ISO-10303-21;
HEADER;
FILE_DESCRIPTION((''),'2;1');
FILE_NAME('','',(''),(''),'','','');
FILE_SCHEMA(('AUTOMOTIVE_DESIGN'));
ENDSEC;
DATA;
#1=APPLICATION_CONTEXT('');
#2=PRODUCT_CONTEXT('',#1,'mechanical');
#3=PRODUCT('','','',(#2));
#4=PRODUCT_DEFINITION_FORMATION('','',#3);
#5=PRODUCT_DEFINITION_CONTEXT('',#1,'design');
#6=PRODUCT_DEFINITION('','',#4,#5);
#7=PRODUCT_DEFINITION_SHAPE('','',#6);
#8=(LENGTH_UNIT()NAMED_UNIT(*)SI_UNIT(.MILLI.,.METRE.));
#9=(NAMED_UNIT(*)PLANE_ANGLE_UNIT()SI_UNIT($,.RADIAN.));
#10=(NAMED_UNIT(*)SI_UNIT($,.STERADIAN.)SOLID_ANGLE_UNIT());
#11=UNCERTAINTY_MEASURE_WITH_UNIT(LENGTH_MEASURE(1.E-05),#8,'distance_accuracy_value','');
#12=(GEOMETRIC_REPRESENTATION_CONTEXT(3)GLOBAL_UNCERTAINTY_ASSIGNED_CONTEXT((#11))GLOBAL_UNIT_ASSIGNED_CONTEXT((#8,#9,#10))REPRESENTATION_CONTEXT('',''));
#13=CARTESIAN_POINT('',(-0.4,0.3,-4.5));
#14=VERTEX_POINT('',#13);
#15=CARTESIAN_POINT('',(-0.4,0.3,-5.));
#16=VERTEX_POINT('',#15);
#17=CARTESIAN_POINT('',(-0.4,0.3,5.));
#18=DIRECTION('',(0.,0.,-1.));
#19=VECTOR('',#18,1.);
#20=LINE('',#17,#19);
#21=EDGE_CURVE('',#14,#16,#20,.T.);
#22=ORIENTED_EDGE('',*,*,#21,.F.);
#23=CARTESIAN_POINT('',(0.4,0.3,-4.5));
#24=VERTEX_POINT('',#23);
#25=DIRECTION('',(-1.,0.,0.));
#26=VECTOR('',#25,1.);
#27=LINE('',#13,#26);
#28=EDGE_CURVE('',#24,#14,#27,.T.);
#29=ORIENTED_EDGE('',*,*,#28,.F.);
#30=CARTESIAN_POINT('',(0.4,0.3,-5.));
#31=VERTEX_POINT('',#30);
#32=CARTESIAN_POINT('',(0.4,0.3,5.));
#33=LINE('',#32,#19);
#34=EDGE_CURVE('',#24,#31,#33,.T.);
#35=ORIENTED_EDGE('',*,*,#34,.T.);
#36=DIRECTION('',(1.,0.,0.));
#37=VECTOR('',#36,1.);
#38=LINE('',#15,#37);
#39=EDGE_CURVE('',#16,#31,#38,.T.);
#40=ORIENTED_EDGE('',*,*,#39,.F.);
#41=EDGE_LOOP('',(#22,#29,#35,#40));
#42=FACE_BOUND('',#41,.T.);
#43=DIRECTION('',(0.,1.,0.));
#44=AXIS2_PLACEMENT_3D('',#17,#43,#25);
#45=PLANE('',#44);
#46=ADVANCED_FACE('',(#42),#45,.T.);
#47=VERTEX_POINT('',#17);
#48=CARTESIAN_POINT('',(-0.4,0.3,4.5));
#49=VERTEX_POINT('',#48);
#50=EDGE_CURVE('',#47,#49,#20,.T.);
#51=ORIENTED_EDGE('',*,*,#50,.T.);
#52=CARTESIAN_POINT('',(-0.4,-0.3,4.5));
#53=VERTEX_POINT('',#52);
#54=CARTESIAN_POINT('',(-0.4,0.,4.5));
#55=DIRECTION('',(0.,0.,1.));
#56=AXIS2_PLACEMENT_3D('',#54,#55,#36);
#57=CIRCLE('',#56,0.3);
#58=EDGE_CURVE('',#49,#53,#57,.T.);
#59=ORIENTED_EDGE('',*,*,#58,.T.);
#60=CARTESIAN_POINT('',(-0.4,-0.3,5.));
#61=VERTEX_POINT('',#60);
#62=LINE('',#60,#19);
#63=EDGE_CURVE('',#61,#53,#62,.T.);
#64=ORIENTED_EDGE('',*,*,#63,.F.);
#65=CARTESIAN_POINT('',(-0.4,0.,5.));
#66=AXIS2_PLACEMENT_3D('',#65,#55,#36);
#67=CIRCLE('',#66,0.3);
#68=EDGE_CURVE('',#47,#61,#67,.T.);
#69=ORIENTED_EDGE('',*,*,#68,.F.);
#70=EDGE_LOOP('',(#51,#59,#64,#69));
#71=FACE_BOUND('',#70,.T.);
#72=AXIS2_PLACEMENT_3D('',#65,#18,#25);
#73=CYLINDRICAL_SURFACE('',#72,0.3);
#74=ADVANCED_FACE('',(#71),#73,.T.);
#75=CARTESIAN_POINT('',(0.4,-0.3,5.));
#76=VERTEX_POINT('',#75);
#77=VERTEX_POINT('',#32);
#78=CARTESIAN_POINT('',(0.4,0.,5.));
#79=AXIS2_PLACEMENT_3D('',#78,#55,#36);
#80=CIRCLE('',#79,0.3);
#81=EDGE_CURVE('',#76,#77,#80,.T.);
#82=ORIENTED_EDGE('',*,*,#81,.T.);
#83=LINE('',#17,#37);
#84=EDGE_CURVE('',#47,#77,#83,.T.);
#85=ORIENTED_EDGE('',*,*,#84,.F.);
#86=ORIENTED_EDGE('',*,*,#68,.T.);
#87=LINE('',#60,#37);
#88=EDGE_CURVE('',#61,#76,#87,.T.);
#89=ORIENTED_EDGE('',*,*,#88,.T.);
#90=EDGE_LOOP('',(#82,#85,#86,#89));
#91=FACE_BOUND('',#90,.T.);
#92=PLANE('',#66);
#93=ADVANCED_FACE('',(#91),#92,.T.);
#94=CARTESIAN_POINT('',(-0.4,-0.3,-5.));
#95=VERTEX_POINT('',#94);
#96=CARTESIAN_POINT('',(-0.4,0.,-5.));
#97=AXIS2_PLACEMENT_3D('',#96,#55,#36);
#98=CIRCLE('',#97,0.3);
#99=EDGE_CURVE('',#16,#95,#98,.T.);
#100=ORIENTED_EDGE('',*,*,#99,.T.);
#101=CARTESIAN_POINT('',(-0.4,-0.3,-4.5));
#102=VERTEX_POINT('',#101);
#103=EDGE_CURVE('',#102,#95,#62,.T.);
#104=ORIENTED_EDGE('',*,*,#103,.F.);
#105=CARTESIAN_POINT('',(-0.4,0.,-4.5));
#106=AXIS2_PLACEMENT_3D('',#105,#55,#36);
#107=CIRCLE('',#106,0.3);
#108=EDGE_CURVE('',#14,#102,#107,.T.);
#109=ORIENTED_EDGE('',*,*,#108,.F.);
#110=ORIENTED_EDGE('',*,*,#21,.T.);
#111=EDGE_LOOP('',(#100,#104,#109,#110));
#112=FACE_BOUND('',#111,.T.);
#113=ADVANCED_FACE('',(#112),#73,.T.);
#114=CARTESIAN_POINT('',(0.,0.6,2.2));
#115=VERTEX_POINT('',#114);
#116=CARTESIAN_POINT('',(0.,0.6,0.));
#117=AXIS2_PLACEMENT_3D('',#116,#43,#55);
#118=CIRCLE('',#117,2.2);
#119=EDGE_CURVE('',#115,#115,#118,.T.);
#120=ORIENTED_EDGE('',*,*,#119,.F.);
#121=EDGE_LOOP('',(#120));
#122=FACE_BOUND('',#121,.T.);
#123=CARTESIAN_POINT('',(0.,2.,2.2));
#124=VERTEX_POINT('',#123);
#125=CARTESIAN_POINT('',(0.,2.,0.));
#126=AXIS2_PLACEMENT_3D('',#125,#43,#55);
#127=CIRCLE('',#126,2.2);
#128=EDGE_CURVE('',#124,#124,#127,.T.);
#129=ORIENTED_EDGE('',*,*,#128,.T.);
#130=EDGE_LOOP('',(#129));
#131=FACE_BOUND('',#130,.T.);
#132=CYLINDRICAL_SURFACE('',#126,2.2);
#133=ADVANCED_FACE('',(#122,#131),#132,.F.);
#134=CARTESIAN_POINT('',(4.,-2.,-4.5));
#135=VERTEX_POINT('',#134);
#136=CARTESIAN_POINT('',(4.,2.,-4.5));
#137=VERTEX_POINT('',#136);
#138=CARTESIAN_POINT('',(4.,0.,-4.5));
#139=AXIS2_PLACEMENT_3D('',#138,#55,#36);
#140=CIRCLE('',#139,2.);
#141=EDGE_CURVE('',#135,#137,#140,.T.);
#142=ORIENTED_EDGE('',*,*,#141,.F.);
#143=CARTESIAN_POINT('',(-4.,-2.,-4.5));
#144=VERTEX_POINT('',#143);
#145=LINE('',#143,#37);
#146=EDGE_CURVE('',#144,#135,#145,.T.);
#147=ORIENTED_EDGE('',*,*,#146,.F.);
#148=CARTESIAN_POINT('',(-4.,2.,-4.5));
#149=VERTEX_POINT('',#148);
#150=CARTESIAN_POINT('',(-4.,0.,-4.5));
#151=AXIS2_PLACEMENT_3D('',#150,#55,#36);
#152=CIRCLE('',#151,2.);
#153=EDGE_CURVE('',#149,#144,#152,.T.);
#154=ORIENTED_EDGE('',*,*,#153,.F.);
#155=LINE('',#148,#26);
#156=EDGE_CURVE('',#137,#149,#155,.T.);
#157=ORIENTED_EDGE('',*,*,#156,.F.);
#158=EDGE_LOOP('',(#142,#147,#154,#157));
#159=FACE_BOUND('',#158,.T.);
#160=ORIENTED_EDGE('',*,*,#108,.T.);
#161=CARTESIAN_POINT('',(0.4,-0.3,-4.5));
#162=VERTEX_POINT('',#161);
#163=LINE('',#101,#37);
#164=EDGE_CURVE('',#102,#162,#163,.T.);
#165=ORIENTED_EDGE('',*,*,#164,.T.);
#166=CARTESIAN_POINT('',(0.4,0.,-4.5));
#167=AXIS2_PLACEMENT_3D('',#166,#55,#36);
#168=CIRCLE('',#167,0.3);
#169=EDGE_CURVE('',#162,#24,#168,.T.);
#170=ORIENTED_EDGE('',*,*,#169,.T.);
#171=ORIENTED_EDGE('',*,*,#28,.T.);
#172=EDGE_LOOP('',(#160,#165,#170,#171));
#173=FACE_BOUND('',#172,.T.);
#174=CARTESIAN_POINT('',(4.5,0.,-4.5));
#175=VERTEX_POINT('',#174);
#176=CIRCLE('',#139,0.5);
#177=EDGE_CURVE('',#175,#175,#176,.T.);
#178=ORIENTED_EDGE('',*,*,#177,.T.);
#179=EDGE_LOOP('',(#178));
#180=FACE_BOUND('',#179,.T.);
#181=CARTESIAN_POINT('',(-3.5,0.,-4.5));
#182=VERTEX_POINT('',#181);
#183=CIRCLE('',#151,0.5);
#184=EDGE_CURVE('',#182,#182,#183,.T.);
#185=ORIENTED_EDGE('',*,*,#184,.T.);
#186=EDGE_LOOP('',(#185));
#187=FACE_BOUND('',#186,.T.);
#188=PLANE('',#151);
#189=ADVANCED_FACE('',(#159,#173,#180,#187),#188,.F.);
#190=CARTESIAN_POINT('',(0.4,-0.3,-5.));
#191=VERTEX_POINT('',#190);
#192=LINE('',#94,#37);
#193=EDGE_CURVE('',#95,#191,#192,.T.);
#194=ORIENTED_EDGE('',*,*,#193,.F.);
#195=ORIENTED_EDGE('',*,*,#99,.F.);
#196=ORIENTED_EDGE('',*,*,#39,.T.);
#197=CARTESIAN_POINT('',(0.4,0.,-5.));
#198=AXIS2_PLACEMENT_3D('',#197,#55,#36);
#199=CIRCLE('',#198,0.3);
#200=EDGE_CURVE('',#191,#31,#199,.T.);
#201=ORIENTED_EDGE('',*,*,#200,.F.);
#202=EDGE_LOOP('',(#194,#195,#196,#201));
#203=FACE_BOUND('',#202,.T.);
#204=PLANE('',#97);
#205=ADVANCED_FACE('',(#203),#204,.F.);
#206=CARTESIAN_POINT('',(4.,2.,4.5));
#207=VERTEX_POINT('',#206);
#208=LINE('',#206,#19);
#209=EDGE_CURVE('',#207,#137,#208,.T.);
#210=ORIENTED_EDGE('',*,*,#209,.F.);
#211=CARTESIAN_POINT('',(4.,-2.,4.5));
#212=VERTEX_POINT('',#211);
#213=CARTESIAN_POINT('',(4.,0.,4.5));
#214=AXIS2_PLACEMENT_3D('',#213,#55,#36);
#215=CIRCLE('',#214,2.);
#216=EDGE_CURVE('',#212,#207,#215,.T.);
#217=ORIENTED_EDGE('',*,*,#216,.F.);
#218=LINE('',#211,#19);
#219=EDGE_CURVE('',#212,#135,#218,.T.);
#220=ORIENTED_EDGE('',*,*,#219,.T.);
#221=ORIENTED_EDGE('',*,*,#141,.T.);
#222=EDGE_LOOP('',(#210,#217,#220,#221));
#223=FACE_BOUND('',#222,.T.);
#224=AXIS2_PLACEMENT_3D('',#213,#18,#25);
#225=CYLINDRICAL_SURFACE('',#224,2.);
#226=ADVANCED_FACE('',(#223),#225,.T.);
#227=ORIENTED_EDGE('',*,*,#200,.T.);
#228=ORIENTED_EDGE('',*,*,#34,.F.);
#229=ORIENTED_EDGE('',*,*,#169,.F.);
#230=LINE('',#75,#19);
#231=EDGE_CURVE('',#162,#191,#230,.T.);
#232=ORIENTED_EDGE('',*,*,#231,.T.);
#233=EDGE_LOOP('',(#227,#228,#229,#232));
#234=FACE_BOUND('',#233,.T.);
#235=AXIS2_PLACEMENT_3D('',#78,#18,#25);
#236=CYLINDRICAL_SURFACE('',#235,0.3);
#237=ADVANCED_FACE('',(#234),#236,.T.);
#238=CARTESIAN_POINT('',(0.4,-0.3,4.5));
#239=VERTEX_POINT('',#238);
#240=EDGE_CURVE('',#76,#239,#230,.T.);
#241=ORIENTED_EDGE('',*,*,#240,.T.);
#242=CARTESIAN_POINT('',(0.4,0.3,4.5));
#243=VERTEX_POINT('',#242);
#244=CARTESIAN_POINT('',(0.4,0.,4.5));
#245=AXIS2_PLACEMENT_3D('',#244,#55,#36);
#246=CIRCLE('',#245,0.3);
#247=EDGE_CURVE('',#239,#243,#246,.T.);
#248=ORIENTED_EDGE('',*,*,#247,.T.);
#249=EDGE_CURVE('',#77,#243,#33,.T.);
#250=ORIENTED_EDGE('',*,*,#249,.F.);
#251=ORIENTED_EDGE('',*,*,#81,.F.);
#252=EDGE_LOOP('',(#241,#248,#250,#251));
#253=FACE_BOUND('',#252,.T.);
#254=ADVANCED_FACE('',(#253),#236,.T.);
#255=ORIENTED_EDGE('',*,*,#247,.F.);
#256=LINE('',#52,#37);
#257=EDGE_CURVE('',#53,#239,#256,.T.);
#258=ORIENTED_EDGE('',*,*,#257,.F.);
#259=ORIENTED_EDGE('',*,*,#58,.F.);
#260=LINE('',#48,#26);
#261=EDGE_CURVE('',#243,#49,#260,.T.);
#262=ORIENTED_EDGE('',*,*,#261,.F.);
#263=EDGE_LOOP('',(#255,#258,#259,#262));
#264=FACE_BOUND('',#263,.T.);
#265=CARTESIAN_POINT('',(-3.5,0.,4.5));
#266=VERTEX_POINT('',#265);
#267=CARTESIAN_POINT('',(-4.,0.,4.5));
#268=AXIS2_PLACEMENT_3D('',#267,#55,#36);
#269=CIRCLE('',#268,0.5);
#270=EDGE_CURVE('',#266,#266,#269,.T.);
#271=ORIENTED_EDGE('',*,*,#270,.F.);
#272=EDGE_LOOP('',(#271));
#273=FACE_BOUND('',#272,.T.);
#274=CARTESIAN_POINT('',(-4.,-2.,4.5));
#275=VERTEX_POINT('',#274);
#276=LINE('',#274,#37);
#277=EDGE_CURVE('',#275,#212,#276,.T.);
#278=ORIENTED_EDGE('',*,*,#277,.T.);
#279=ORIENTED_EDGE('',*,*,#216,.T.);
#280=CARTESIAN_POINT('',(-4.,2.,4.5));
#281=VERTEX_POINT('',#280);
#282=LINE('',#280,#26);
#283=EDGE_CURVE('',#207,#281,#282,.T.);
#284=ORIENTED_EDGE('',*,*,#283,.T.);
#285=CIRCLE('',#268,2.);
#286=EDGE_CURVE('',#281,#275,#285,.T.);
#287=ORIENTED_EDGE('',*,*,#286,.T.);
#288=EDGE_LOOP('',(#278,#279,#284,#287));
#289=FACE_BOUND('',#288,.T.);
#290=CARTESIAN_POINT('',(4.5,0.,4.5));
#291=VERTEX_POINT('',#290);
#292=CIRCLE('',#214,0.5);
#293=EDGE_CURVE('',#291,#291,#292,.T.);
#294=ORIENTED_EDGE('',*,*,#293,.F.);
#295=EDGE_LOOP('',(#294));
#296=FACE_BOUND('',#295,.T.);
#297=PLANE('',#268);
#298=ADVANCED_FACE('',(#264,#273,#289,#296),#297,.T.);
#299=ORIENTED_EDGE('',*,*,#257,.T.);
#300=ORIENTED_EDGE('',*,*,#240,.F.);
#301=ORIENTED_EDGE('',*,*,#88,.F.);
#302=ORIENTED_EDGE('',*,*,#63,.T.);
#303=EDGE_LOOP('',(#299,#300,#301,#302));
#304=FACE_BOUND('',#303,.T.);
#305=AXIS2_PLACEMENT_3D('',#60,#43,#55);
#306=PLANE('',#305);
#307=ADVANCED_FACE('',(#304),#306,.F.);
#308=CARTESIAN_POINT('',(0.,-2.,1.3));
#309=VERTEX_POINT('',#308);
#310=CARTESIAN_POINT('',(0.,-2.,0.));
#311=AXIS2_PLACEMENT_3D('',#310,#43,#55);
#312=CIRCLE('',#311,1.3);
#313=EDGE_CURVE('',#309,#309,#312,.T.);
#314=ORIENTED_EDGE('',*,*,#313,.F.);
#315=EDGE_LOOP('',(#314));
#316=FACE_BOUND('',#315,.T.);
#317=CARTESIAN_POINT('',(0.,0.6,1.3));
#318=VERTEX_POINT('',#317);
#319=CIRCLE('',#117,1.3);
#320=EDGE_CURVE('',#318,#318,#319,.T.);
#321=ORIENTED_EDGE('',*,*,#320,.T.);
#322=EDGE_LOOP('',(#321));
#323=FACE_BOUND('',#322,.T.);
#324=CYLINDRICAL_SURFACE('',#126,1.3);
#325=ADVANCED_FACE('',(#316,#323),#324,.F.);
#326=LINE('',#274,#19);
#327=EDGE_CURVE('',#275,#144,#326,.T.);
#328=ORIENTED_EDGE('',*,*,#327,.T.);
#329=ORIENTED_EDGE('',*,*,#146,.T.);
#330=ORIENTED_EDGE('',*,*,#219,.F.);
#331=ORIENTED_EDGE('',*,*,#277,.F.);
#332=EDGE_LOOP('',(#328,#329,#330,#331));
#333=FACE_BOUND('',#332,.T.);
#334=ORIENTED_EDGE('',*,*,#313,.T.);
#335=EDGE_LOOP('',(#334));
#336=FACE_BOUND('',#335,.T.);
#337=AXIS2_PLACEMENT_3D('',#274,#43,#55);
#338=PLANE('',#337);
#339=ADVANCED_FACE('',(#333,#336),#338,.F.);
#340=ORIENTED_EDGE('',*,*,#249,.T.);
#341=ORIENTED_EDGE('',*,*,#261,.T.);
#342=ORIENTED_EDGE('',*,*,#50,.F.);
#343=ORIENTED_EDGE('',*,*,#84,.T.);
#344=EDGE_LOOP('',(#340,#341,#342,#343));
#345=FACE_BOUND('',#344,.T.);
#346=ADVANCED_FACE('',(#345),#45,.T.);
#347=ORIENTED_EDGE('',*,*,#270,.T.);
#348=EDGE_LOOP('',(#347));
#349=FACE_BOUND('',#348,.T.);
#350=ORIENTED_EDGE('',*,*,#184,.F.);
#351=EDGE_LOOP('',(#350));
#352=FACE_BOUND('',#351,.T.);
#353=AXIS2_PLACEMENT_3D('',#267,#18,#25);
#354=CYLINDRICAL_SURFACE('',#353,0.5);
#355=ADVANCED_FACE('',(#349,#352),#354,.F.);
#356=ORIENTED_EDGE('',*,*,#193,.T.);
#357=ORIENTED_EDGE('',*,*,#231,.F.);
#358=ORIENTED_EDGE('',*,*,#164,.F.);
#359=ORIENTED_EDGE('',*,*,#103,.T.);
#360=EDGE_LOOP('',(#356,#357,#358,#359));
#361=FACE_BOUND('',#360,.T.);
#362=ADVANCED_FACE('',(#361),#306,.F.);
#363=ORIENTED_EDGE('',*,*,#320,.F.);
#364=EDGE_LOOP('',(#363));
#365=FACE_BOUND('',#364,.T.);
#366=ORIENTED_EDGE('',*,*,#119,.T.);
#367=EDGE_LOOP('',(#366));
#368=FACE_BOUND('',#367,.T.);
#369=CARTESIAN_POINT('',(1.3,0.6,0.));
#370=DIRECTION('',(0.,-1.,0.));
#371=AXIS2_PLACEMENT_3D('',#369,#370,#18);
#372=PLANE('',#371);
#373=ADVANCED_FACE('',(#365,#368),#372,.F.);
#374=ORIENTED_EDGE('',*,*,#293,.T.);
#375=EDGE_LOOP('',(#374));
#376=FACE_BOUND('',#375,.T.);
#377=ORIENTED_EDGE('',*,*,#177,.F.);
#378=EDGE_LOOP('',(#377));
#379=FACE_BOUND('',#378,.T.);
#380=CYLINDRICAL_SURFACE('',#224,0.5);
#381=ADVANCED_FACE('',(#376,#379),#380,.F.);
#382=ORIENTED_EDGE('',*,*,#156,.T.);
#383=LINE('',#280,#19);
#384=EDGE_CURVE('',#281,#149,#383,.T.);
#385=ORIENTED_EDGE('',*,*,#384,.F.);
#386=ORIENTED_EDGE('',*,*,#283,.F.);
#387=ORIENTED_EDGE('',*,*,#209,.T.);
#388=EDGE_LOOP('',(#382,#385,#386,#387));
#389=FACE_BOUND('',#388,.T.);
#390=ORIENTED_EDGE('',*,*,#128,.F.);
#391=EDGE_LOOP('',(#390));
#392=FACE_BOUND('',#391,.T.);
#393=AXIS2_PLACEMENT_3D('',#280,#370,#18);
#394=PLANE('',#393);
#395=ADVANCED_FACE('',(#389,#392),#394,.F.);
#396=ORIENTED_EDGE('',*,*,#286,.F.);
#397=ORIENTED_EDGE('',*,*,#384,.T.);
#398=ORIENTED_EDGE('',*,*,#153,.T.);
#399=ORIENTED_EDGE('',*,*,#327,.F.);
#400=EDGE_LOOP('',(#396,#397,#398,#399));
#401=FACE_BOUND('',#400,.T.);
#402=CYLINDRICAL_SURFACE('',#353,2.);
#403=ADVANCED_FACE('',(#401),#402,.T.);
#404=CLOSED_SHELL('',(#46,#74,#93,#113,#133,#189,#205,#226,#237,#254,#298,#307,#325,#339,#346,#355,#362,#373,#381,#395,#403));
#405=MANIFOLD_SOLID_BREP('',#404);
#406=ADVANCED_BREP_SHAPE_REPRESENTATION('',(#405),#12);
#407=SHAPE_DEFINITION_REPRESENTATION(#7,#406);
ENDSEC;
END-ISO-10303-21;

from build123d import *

# Parameters (mm, degrees)
SKETCH1_R                                   = 0.5
BOSS_EXTRUDE1_DEPTH                         = 4.5
BOSS_EXTRUDE2_DEPTH                         = 5
CBORE_FOR_M2_CHEESE_HEAD_SCREW1_D           = 2.6
CBORE_FOR_M2_CHEESE_HEAD_SCREW1_CBORE_D     = 4.4
CBORE_FOR_M2_CHEESE_HEAD_SCREW1_CBORE_DEPTH = 1.4


with BuildPart() as part:
    # Sketch1 → Boss-Extrude1 (new, symmetric)
    with BuildSketch(Plane.XY):
        with BuildLine():
            Line((-4, 2), (4, 2))
            ThreePointArc((4, 2), (6, 0), (4, -2))
            Line((4, -2), (-4, -2))
            ThreePointArc((-4, -2), (-6, 0), (-4, 2))
        make_face()
        with Locations((-4, 0)):
            Circle(SKETCH1_R, mode=Mode.SUBTRACT)
        with Locations((4, 0)):
            Circle(SKETCH1_R, mode=Mode.SUBTRACT)
        with BuildLine():
            Line((-0.4, 0.3), (0.4, 0.3))
            ThreePointArc((0.4, 0.3), (0.7, 0), (0.4, -0.3))
            Line((0.4, -0.3), (-0.4, -0.3))
            ThreePointArc((-0.4, -0.3), (-0.7, 0), (-0.4, 0.3))
        make_face(mode=Mode.SUBTRACT)
    extrude(amount=BOSS_EXTRUDE1_DEPTH, both=True)

    # Sketch1<2> → Boss-Extrude2 (add, symmetric)
    with BuildSketch(Plane.XY):
        with BuildLine():
            Line((-0.4, 0.3), (0.4, 0.3))
            ThreePointArc((0.4, 0.3), (0.7, 0), (0.4, -0.3))
            Line((0.4, -0.3), (-0.4, -0.3))
            ThreePointArc((-0.4, -0.3), (-0.7, 0), (-0.4, 0.3))
        make_face()
    extrude(amount=BOSS_EXTRUDE2_DEPTH, both=True)

    # CBORE for M2 Cheese Head Screw1 (through all)
    with Locations(Plane(origin=(0, 2, 0), x_dir=(1, 0, 0), z_dir=(0, 1, 0))):
        with Locations((0, 0)):
            CounterBoreHole(CBORE_FOR_M2_CHEESE_HEAD_SCREW1_D / 2, CBORE_FOR_M2_CHEESE_HEAD_SCREW1_CBORE_D / 2, CBORE_FOR_M2_CHEESE_HEAD_SCREW1_CBORE_DEPTH)


solid = part.part
